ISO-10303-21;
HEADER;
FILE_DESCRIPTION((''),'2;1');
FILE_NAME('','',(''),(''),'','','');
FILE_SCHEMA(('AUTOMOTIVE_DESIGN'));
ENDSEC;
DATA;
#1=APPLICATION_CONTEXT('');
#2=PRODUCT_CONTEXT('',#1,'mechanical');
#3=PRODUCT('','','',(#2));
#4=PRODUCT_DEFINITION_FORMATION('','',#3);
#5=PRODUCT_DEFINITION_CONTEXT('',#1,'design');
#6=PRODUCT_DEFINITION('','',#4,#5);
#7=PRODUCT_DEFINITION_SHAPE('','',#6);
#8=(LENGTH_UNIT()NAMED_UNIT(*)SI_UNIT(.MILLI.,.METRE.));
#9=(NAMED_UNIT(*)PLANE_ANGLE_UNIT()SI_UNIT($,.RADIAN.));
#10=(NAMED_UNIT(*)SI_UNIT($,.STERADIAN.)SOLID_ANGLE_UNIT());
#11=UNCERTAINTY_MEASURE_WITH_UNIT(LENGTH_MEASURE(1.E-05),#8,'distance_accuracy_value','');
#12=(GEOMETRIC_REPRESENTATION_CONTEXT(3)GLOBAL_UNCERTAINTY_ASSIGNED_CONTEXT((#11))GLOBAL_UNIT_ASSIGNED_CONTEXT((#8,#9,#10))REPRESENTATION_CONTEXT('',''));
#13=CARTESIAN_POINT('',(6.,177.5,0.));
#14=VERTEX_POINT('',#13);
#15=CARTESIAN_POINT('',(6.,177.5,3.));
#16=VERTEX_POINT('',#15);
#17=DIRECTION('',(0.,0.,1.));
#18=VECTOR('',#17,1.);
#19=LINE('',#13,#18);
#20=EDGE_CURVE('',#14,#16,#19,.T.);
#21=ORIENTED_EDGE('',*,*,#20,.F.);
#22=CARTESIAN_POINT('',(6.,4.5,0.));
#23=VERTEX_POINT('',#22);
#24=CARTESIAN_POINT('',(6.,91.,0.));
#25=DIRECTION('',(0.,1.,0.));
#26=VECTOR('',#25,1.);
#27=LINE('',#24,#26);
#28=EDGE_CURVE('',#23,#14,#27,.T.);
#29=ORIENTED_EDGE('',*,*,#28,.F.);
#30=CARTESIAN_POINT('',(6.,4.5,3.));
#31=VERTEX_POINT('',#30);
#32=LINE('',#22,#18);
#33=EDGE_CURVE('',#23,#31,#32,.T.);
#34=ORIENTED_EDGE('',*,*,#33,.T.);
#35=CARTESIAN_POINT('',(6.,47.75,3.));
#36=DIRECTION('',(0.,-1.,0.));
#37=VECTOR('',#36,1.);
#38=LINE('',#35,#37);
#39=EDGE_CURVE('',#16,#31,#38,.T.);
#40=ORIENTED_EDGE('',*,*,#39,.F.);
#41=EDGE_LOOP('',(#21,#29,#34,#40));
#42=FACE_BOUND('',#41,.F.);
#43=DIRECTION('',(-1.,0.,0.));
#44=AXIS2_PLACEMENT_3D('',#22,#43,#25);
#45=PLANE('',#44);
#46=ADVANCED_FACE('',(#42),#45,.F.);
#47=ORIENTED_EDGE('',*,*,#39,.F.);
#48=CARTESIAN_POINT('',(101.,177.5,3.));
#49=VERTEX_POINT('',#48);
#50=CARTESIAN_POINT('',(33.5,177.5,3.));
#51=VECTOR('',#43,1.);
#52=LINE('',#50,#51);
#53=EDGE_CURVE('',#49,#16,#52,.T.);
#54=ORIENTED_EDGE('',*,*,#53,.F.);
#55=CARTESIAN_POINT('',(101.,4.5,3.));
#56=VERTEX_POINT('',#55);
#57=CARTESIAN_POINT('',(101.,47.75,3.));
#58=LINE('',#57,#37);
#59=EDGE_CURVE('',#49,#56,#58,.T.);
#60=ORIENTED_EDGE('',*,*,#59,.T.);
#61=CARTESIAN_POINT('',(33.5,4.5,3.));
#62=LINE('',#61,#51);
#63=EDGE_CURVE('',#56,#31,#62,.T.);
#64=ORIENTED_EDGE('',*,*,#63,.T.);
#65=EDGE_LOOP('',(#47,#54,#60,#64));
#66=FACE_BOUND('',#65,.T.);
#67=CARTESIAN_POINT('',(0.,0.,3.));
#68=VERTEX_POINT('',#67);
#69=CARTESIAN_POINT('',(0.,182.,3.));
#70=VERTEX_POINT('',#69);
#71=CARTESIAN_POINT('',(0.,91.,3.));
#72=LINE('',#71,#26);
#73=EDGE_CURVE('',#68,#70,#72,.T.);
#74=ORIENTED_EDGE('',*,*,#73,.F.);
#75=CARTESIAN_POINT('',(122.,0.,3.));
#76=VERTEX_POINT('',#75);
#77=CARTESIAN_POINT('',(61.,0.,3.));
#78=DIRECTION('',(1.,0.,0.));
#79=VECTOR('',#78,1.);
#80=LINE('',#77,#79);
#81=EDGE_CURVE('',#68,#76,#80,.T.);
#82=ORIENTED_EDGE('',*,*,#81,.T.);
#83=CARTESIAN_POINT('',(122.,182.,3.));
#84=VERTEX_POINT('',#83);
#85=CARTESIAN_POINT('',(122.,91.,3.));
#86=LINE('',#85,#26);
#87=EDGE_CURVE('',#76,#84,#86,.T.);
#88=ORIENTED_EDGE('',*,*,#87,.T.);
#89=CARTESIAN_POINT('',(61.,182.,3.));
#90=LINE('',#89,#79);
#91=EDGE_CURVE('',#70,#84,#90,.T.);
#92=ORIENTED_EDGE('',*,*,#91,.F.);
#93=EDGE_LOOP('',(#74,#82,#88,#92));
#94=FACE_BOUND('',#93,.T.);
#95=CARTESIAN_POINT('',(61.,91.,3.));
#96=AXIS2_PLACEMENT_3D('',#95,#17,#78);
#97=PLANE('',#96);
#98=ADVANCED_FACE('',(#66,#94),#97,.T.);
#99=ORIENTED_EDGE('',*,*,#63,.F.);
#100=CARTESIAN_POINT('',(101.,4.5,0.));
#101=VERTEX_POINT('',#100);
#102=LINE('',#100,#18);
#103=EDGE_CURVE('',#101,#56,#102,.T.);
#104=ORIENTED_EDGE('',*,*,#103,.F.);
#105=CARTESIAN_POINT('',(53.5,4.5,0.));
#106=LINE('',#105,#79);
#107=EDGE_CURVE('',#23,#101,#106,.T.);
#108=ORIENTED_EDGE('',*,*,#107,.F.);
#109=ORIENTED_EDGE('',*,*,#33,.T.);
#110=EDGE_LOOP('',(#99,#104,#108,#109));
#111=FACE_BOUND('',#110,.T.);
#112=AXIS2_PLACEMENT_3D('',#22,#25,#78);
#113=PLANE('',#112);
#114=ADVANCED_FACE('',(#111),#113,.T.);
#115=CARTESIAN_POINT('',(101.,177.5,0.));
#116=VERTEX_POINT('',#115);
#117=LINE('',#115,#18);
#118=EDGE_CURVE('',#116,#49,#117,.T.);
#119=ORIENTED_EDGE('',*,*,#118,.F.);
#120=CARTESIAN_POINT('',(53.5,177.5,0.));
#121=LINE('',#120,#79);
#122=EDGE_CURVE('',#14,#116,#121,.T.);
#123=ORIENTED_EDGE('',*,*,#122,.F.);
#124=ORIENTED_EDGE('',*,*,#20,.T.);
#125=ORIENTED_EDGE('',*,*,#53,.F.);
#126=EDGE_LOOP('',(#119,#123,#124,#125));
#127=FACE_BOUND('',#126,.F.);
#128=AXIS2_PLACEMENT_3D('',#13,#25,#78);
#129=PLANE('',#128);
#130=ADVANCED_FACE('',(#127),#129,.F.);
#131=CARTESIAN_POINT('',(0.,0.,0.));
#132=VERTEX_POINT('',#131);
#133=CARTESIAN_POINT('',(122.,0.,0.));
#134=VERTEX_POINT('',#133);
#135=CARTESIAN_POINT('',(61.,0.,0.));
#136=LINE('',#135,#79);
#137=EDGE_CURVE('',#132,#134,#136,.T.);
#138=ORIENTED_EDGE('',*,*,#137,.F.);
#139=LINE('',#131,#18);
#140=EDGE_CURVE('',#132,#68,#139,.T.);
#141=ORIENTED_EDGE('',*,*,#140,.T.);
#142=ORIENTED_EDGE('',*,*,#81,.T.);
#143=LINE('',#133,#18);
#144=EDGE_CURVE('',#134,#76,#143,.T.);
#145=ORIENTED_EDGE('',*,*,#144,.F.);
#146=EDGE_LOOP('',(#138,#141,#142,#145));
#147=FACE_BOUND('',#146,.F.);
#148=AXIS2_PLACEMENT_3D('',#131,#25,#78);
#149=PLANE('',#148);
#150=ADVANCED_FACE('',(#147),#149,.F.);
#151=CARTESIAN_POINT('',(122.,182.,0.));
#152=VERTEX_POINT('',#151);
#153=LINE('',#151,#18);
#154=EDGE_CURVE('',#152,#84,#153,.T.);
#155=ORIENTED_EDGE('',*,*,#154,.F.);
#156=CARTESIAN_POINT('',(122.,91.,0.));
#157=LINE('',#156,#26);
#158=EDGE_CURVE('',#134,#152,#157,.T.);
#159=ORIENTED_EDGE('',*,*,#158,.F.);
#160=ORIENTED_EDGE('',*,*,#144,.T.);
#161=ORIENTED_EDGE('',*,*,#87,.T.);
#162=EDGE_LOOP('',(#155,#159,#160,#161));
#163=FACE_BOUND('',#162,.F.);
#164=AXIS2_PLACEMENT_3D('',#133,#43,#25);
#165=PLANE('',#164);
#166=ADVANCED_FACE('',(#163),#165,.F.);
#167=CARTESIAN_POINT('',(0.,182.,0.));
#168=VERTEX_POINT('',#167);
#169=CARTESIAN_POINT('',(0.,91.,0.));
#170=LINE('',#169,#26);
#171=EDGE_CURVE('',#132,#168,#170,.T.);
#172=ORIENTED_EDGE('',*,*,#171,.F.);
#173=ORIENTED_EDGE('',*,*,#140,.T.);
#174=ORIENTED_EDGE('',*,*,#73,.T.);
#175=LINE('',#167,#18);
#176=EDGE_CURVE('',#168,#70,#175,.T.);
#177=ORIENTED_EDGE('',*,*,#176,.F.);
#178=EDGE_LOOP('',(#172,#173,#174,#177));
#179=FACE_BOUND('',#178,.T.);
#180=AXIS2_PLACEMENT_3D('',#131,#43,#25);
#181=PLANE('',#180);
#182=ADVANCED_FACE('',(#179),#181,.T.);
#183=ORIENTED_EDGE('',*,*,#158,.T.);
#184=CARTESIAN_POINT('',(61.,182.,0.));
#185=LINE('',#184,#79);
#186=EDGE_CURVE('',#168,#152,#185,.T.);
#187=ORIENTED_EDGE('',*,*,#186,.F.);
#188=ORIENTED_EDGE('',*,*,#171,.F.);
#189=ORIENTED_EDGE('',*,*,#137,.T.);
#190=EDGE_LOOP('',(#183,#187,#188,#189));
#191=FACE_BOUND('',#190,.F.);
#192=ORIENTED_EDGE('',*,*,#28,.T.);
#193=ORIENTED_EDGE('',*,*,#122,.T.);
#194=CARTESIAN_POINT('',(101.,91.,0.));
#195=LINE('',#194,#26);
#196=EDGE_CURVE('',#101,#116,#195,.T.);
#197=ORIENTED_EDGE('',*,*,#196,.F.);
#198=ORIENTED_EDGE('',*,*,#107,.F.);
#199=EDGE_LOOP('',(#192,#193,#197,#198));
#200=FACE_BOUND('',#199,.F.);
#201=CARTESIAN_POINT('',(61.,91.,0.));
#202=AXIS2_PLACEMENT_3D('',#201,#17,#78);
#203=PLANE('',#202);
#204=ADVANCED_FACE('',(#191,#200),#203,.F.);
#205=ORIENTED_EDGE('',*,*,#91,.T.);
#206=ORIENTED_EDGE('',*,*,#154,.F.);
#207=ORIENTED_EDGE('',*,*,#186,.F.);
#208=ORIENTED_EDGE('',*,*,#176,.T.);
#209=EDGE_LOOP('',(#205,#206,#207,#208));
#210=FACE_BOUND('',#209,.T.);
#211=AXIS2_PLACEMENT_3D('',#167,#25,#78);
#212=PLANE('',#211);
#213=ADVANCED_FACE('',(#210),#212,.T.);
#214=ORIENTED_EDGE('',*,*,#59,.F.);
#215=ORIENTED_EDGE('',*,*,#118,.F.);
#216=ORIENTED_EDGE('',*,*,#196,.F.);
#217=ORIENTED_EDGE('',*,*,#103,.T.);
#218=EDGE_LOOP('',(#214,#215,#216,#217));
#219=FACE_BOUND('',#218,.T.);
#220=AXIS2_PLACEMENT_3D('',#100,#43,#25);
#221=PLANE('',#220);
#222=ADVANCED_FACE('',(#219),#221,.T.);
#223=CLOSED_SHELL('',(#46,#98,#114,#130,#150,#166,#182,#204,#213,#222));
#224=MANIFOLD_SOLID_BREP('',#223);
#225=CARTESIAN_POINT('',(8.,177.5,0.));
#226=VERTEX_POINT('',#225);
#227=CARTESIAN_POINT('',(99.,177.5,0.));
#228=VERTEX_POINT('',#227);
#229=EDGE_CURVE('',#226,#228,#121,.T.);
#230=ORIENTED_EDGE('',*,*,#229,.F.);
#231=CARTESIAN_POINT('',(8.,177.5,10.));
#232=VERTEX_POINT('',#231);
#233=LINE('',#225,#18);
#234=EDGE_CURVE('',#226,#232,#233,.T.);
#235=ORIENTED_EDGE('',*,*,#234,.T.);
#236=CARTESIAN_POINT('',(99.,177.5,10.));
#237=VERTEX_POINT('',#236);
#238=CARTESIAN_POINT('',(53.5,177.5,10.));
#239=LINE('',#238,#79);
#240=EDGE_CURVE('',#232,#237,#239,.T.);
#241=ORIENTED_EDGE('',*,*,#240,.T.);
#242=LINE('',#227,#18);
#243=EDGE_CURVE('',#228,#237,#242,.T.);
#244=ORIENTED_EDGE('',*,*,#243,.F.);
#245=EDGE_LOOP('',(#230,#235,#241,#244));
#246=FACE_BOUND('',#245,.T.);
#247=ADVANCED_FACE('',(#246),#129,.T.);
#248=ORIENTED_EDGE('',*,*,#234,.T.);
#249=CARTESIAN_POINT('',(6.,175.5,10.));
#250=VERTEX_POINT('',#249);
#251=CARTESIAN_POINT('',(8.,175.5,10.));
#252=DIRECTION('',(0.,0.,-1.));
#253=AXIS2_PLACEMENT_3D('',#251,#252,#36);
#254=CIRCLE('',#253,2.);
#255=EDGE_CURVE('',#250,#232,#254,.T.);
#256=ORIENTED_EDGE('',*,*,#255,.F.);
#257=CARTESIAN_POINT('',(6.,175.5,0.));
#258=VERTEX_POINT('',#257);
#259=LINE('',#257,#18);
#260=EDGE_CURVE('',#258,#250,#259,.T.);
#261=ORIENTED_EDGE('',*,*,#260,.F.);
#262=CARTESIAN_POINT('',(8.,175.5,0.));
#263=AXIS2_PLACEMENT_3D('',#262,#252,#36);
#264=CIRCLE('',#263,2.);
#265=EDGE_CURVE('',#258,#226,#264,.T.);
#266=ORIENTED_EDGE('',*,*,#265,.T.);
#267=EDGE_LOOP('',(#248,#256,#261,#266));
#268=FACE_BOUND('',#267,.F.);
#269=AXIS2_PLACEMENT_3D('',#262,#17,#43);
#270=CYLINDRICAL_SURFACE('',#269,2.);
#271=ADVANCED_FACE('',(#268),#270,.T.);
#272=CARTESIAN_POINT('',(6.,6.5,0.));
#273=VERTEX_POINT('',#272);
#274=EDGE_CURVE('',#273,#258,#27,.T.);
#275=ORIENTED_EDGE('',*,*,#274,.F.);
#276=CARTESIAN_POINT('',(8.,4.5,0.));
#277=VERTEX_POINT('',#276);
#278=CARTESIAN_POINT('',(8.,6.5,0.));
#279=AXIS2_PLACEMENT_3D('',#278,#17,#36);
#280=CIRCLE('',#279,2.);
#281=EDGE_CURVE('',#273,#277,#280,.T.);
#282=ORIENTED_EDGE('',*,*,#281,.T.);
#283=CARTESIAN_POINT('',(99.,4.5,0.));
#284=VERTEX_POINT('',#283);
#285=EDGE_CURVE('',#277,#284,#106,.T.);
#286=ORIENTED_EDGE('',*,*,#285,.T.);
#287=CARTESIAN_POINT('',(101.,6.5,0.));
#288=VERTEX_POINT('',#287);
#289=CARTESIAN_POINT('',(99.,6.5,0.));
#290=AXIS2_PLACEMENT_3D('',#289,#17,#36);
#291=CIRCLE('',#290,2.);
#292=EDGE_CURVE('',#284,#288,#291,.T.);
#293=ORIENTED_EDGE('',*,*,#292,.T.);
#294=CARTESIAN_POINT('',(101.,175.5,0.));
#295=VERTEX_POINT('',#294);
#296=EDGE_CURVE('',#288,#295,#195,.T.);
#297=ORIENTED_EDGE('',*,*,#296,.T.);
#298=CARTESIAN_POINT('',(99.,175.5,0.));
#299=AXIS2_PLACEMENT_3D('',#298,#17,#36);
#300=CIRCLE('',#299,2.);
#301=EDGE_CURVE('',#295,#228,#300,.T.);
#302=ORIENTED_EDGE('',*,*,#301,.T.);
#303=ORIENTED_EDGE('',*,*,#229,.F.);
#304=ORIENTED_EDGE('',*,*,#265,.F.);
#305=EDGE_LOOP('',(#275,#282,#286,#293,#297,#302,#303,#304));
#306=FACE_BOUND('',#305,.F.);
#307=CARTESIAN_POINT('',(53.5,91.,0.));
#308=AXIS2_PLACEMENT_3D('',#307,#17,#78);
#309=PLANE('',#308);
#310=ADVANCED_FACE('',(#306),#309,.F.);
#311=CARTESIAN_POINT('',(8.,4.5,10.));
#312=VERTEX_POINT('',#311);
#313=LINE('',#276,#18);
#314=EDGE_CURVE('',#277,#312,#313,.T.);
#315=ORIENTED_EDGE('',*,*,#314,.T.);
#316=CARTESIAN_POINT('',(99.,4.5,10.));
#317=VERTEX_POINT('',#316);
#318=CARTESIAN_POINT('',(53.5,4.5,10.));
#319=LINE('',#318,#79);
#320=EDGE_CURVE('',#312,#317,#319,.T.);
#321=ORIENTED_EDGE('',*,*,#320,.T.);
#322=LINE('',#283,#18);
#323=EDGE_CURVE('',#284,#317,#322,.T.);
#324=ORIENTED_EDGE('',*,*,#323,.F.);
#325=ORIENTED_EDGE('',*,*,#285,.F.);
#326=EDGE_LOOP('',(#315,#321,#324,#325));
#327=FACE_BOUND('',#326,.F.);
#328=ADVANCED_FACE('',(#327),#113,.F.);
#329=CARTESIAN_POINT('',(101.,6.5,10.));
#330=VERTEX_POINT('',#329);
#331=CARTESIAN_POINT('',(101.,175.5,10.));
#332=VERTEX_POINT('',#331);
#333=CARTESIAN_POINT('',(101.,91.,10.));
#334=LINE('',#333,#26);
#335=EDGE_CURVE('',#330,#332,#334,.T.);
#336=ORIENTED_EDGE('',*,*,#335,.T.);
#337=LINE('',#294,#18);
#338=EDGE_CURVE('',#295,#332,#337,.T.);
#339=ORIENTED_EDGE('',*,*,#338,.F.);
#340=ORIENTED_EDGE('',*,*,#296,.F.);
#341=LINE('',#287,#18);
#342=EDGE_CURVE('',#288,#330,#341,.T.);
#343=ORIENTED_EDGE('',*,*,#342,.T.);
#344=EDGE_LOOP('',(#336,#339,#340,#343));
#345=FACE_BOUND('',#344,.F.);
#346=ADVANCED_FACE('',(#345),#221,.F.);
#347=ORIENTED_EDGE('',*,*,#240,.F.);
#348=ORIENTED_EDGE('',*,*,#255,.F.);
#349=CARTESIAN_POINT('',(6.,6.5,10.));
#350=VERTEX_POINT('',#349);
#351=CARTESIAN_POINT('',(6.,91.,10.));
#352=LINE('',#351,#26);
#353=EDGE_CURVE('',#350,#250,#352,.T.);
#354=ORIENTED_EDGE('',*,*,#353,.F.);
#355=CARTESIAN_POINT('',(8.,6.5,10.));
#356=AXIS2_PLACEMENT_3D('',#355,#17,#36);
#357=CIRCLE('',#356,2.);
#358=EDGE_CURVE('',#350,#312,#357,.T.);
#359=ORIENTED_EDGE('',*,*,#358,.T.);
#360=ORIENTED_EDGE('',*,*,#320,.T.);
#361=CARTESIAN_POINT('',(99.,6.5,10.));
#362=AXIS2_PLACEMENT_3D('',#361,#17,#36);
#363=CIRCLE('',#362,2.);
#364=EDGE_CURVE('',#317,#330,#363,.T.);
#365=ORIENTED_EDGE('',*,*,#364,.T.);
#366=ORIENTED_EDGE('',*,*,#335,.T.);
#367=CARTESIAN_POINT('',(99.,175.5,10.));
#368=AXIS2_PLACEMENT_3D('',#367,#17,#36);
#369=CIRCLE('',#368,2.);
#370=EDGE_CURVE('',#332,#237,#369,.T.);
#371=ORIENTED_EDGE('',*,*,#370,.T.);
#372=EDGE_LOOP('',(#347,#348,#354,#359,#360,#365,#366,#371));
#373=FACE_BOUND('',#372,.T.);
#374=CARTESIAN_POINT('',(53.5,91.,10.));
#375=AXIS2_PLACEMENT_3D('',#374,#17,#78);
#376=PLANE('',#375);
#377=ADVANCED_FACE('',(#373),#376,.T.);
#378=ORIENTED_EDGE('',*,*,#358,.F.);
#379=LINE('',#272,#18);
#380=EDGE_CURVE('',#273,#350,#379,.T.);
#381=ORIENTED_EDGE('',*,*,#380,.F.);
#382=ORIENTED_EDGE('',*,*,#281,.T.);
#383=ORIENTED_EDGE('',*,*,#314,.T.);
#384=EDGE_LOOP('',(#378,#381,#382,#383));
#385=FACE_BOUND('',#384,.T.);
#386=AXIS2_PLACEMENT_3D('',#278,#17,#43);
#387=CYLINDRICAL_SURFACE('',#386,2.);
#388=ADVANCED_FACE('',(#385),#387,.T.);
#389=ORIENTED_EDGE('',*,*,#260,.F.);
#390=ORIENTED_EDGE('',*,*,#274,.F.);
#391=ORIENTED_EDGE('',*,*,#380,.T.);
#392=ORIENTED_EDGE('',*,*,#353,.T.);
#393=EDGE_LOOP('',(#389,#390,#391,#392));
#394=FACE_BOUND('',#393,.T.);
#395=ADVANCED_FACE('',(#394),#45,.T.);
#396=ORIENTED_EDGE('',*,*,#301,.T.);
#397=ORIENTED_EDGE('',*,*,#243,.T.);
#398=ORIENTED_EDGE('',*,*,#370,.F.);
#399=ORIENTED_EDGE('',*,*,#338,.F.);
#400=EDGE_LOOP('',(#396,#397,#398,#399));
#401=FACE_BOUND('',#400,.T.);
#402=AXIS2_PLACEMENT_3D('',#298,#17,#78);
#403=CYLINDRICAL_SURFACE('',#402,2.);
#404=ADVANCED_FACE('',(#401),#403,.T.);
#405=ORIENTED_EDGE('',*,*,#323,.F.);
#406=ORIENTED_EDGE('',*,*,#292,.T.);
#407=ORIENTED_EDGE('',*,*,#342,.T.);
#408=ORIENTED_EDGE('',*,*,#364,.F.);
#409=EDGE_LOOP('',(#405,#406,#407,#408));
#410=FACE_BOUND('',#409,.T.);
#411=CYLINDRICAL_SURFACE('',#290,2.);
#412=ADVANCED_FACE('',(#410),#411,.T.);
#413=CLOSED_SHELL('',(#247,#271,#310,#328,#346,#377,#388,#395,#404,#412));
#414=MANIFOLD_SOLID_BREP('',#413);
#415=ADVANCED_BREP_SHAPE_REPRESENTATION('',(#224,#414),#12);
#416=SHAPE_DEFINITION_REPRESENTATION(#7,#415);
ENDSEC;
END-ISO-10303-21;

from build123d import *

# Parameters (mm, degrees)
BOX001_W     = 95
BOX001_H     = 173
BOX001_DEPTH = 10
BOX_W        = 122
BOX_H        = 182
BOX_DEPTH    = 3
FILLET_R     = 2


with BuildPart() as cube001:
    # Box001 → Box001 (new body)
    with BuildSketch(Plane(origin=(6, 4.5, 0), x_dir=(1, 0, 0), z_dir=(0, 0, 1))):
        with Locations((47.5, 86.5)):
            Rectangle(BOX001_W, BOX001_H)
    extrude(amount=BOX001_DEPTH)


with BuildPart() as cut:
    # Box → Box (new body)
    with BuildSketch(Plane.XY):
        with Locations((61, 91)):
            Rectangle(BOX_W, BOX_H)
    extrude(amount=BOX_DEPTH)

    # Cut: cut Cube001
    add(cube001.part, mode=Mode.SUBTRACT)


with BuildPart() as fillet_body:
    # Fillet base: copy of Cube001
    add(cube001.part)

    # Fillet
    fillet_edges = [fillet_body.edges().sort_by_distance(p)[0] for p in [
        (6, 4.5, 5),
        (6, 177.5, 5),
        (101, 4.5, 5),
        (101, 177.5, 5),
    ]]
    fillet(fillet_edges, radius=FILLET_R)


solid = Compound([cut.part, fillet_body.part])
